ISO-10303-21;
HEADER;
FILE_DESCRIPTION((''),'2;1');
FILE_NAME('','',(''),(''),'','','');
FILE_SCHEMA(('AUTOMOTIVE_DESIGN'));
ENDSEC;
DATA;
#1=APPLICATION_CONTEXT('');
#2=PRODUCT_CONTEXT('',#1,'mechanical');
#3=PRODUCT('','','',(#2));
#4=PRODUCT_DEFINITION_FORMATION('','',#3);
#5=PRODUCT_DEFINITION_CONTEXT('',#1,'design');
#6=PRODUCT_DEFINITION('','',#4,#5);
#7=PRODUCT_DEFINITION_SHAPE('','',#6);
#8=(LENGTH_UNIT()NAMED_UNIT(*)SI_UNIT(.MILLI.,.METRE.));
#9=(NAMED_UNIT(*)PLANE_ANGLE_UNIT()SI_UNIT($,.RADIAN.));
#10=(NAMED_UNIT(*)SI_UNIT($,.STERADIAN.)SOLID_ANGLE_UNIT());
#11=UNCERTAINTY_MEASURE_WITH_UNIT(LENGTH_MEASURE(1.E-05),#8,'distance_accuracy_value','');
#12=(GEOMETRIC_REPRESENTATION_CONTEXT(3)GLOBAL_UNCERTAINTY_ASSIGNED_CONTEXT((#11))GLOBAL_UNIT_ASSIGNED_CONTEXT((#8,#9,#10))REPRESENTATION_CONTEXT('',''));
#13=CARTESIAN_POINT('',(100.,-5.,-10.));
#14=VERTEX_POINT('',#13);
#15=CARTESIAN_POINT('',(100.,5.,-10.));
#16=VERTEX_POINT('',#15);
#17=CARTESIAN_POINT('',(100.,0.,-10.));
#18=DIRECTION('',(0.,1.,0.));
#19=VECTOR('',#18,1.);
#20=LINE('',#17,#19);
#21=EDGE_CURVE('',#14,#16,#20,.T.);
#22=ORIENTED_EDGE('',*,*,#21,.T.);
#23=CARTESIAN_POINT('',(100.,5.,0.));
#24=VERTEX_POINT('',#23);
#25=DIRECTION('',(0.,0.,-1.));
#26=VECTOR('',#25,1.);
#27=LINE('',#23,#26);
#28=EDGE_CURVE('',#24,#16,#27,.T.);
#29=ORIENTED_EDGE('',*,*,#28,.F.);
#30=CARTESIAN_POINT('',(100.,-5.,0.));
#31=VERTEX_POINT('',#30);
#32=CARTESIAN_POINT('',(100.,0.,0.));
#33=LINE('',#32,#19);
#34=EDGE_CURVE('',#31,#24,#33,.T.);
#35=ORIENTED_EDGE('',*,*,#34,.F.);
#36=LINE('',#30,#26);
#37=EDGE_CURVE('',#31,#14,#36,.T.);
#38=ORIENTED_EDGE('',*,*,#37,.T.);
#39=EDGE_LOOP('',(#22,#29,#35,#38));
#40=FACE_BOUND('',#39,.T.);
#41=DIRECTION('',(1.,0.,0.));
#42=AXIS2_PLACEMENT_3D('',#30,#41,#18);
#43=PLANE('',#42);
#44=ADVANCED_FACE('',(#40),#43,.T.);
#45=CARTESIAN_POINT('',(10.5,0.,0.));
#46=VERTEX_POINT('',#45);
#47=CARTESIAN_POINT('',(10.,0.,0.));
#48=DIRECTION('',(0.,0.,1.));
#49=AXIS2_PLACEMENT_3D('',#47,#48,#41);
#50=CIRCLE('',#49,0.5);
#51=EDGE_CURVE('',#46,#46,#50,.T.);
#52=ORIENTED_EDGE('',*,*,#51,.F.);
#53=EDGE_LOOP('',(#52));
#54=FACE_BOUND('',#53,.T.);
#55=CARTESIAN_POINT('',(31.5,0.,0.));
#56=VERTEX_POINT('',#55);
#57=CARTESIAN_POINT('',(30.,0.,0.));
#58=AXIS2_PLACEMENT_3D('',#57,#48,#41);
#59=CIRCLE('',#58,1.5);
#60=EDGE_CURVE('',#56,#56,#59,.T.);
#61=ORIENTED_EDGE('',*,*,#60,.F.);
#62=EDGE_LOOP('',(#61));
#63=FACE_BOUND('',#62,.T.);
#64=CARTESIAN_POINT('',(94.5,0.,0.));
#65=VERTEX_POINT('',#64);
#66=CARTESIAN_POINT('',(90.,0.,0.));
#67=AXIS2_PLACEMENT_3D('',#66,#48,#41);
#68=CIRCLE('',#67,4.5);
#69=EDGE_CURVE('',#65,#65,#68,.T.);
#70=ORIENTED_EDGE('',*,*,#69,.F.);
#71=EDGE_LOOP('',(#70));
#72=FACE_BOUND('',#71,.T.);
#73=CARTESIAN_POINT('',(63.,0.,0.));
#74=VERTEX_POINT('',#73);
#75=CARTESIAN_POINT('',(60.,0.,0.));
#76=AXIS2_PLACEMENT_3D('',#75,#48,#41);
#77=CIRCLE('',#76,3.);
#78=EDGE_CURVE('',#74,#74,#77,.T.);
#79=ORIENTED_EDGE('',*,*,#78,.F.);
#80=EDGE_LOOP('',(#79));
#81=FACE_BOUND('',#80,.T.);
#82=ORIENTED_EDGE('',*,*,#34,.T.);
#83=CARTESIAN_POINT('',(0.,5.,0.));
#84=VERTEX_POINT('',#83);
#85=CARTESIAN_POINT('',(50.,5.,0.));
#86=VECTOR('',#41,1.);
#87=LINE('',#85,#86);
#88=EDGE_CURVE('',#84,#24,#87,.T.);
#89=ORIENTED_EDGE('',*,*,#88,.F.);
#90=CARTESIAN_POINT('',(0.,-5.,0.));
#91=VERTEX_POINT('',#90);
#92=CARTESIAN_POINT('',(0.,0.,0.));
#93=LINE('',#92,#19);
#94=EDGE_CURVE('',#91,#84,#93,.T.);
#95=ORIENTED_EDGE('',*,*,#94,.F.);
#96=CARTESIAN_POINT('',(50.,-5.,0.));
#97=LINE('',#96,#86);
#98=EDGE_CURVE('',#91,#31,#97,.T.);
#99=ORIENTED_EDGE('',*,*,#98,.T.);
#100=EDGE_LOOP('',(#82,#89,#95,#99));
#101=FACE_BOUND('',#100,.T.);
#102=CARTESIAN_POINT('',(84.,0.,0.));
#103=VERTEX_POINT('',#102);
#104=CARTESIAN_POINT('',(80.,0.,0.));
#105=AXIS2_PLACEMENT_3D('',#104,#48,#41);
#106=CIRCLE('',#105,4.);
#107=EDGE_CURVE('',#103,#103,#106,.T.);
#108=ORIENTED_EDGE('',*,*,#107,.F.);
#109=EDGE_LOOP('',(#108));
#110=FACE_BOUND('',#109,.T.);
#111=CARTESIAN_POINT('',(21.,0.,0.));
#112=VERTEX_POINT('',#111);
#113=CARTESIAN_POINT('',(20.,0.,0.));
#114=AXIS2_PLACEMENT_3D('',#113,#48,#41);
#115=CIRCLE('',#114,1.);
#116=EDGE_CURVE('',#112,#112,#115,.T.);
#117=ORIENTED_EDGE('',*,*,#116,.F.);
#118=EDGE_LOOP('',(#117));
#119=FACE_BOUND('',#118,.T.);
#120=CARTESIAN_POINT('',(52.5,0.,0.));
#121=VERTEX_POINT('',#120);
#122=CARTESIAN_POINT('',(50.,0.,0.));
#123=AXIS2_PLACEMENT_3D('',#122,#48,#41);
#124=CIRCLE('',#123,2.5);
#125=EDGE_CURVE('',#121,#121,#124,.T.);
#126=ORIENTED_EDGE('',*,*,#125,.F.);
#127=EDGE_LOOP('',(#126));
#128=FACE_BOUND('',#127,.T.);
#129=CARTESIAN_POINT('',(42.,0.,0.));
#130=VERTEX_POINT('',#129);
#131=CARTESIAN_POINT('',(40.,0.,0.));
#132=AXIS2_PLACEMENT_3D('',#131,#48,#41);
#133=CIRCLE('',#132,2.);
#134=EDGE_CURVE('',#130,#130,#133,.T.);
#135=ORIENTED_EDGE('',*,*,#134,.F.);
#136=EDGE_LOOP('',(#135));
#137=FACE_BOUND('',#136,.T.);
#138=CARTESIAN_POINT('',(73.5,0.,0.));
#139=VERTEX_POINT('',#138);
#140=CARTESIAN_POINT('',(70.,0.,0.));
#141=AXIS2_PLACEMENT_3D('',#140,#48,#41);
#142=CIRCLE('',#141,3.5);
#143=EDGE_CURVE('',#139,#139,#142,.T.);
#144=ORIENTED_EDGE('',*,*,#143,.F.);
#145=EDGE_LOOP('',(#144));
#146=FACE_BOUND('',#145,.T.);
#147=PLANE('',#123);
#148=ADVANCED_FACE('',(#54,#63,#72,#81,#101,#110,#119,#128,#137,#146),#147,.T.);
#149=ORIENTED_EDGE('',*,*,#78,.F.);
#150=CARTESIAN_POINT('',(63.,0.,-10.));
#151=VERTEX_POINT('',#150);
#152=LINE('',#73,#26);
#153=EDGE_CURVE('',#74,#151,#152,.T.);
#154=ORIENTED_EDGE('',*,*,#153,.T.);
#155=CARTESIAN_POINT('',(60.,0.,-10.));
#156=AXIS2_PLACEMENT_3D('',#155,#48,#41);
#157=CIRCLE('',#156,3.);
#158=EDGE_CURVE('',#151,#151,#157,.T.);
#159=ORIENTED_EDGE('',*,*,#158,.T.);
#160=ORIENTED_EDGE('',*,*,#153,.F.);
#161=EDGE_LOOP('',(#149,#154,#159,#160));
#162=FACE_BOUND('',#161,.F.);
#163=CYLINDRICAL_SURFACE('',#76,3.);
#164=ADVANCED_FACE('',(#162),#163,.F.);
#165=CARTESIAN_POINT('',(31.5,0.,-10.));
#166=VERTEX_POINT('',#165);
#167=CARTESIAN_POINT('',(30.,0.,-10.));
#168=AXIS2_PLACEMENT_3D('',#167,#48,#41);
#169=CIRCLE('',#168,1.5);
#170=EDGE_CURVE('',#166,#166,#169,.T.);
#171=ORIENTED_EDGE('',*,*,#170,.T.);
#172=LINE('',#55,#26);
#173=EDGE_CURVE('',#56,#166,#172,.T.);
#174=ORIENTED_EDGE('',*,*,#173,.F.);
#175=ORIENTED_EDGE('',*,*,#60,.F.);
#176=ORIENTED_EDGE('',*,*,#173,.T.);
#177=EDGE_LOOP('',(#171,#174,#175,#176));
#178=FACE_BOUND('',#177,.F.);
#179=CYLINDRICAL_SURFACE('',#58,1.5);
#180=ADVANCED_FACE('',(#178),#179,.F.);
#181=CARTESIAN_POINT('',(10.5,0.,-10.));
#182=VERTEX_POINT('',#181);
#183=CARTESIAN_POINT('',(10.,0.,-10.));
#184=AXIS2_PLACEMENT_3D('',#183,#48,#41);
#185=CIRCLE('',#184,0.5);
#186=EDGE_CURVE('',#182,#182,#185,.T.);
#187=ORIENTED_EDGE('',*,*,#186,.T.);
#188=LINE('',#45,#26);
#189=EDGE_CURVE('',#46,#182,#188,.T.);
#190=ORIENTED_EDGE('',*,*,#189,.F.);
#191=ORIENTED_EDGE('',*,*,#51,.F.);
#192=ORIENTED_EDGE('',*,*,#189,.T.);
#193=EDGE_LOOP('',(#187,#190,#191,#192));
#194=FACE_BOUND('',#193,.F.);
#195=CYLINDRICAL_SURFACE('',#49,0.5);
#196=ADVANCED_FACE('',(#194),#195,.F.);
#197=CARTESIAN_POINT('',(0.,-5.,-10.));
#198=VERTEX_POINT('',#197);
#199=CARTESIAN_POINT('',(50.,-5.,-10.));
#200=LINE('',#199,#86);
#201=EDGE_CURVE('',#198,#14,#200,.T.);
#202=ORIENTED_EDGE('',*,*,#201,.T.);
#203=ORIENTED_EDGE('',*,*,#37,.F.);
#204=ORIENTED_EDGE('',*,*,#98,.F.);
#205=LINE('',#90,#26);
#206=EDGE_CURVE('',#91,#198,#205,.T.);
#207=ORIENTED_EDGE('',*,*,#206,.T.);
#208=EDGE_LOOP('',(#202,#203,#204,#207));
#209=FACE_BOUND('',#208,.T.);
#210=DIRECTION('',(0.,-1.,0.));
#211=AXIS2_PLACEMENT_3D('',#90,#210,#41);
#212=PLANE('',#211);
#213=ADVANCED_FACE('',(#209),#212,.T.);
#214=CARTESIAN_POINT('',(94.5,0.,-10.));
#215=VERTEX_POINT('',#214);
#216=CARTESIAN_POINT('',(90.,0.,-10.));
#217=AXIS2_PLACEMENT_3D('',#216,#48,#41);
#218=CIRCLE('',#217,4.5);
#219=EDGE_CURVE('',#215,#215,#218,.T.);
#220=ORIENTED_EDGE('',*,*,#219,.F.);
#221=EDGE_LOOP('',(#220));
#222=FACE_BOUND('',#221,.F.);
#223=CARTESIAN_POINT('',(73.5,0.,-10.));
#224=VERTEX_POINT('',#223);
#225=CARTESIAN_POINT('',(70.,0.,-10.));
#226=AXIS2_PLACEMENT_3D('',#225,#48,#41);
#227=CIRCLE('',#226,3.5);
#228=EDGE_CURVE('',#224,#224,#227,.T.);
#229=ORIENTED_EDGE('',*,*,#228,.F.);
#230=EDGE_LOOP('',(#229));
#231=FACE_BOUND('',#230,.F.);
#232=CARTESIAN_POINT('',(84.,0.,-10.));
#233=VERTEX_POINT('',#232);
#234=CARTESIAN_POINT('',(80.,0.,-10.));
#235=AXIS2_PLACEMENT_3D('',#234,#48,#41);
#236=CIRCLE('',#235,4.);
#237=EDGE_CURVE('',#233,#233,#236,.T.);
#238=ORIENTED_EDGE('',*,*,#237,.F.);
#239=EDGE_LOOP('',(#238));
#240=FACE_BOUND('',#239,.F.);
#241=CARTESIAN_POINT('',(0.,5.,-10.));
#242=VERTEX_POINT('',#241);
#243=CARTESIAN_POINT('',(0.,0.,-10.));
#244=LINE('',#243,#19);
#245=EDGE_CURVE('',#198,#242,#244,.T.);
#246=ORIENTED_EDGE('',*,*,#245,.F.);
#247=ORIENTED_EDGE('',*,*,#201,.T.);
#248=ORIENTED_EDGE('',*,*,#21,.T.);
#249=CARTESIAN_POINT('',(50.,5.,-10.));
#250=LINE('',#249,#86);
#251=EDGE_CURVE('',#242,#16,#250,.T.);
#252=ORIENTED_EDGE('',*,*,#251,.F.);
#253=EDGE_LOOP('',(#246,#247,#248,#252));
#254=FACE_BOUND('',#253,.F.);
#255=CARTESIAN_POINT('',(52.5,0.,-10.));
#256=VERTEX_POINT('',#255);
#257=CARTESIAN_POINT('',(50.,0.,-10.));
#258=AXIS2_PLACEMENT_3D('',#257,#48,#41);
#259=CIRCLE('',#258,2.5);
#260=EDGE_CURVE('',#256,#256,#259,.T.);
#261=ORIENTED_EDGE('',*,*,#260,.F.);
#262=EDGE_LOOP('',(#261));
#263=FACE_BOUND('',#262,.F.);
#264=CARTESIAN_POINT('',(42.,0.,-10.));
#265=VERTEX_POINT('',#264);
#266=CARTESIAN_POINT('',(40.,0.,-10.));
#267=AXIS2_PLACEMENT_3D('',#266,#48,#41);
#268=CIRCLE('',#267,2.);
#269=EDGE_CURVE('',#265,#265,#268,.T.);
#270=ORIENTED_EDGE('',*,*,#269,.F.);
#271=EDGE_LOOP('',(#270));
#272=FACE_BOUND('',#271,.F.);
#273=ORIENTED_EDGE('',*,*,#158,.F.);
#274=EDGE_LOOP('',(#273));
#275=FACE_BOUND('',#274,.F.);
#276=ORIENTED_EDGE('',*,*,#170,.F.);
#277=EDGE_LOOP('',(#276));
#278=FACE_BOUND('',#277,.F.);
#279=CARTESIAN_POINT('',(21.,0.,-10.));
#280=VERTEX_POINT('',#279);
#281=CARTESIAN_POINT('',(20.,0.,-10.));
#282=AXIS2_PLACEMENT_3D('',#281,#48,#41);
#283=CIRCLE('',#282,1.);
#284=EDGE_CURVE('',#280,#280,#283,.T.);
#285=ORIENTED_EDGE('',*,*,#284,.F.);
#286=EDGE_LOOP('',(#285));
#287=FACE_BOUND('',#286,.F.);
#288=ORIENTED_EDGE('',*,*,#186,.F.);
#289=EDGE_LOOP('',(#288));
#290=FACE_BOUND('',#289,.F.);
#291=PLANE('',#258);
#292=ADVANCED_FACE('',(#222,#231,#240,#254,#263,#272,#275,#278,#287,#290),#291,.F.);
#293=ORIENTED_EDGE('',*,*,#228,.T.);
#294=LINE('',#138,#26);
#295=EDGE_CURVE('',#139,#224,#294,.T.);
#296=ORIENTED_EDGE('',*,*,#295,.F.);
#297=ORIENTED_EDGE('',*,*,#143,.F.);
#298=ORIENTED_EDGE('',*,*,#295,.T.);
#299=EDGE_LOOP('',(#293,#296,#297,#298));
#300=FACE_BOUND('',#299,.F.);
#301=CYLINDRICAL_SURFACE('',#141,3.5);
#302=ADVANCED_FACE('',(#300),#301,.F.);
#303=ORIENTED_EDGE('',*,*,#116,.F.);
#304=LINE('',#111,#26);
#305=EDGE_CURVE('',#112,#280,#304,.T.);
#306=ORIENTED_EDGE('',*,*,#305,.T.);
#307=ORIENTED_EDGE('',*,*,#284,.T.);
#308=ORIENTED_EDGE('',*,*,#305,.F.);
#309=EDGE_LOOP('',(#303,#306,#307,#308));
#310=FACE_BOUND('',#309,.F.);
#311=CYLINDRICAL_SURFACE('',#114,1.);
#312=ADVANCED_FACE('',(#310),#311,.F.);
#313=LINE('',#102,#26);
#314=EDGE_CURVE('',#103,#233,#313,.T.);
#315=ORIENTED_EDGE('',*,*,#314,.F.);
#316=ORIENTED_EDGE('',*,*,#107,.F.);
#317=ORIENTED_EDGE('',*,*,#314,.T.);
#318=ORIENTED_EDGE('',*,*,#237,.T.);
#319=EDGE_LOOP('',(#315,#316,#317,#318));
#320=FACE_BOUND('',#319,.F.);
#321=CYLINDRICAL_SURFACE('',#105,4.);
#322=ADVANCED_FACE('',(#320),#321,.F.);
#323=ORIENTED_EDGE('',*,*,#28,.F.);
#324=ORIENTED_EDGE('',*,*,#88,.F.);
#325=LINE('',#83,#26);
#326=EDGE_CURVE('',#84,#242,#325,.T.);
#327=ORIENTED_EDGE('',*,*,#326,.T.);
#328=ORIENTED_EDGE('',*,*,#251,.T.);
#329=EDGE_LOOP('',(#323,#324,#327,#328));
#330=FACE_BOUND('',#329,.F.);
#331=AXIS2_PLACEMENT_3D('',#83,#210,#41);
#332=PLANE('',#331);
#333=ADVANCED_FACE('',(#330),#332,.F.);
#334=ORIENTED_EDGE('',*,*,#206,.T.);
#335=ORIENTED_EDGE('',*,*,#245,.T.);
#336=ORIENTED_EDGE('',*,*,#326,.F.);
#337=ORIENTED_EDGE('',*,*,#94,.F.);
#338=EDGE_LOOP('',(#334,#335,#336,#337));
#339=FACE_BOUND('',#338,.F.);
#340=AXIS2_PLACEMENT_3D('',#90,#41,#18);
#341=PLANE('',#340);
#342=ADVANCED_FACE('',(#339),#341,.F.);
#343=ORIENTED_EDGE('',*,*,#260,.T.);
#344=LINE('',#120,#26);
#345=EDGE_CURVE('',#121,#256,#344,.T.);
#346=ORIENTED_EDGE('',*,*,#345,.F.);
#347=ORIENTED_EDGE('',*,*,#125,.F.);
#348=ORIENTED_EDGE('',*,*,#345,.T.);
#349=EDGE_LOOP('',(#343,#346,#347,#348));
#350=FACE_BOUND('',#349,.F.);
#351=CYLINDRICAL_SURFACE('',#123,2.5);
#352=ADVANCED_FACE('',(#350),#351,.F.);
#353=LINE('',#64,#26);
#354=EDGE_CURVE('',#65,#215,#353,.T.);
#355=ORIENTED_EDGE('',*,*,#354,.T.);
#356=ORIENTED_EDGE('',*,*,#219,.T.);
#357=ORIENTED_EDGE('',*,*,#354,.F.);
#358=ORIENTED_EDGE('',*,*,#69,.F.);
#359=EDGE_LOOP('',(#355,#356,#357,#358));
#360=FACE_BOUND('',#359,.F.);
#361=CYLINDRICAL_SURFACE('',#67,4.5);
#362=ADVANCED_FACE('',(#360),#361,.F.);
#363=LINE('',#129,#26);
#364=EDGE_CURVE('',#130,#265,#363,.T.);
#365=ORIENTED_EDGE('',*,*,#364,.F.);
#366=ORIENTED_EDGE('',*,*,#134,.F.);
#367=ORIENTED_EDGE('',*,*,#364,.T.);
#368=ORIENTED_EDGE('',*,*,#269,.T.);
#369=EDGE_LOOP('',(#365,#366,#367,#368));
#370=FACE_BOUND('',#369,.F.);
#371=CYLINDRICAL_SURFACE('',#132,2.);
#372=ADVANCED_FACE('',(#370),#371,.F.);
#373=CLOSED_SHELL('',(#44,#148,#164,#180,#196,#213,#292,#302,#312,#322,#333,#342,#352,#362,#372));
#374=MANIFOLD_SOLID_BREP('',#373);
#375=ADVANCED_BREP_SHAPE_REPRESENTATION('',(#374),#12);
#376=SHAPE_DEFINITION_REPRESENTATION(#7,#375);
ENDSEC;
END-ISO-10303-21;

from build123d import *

# Parameters (mm, degrees)
SKETCH_W   = 100
SKETCH_H   = 10
SKETCH_R   = 1
SKETCH_R_2 = 2
SKETCH_R_3 = 3
SKETCH_R_4 = 4
SKETCH_R_5 = 0.5
SKETCH_R_6 = 1.5
SKETCH_R_7 = 2.5
SKETCH_R_8 = 3.5
SKETCH_R_9 = 4.5
PAD_DEPTH  = 10


with BuildPart() as part:
    # Sketch → Pad (new body)
    with BuildSketch(Plane.XY):
        with Locations((50, 0)):
            Rectangle(SKETCH_W, SKETCH_H)
        with Locations((20, 0)):
            Circle(SKETCH_R, mode=Mode.SUBTRACT)
        with Locations((40, 0)):
            Circle(SKETCH_R_2, mode=Mode.SUBTRACT)
        with Locations((60, 0)):
            Circle(SKETCH_R_3, mode=Mode.SUBTRACT)
        with Locations((80, 0)):
            Circle(SKETCH_R_4, mode=Mode.SUBTRACT)
        with Locations((10, 0)):
            Circle(SKETCH_R_5, mode=Mode.SUBTRACT)
        with Locations((30, 0)):
            Circle(SKETCH_R_6, mode=Mode.SUBTRACT)
        with Locations((50, 0)):
            Circle(SKETCH_R_7, mode=Mode.SUBTRACT)
        with Locations((70, 0)):
            Circle(SKETCH_R_8, mode=Mode.SUBTRACT)
        with Locations((90, 0)):
            Circle(SKETCH_R_9, mode=Mode.SUBTRACT)
    extrude(amount=-PAD_DEPTH)


solid = part.part
